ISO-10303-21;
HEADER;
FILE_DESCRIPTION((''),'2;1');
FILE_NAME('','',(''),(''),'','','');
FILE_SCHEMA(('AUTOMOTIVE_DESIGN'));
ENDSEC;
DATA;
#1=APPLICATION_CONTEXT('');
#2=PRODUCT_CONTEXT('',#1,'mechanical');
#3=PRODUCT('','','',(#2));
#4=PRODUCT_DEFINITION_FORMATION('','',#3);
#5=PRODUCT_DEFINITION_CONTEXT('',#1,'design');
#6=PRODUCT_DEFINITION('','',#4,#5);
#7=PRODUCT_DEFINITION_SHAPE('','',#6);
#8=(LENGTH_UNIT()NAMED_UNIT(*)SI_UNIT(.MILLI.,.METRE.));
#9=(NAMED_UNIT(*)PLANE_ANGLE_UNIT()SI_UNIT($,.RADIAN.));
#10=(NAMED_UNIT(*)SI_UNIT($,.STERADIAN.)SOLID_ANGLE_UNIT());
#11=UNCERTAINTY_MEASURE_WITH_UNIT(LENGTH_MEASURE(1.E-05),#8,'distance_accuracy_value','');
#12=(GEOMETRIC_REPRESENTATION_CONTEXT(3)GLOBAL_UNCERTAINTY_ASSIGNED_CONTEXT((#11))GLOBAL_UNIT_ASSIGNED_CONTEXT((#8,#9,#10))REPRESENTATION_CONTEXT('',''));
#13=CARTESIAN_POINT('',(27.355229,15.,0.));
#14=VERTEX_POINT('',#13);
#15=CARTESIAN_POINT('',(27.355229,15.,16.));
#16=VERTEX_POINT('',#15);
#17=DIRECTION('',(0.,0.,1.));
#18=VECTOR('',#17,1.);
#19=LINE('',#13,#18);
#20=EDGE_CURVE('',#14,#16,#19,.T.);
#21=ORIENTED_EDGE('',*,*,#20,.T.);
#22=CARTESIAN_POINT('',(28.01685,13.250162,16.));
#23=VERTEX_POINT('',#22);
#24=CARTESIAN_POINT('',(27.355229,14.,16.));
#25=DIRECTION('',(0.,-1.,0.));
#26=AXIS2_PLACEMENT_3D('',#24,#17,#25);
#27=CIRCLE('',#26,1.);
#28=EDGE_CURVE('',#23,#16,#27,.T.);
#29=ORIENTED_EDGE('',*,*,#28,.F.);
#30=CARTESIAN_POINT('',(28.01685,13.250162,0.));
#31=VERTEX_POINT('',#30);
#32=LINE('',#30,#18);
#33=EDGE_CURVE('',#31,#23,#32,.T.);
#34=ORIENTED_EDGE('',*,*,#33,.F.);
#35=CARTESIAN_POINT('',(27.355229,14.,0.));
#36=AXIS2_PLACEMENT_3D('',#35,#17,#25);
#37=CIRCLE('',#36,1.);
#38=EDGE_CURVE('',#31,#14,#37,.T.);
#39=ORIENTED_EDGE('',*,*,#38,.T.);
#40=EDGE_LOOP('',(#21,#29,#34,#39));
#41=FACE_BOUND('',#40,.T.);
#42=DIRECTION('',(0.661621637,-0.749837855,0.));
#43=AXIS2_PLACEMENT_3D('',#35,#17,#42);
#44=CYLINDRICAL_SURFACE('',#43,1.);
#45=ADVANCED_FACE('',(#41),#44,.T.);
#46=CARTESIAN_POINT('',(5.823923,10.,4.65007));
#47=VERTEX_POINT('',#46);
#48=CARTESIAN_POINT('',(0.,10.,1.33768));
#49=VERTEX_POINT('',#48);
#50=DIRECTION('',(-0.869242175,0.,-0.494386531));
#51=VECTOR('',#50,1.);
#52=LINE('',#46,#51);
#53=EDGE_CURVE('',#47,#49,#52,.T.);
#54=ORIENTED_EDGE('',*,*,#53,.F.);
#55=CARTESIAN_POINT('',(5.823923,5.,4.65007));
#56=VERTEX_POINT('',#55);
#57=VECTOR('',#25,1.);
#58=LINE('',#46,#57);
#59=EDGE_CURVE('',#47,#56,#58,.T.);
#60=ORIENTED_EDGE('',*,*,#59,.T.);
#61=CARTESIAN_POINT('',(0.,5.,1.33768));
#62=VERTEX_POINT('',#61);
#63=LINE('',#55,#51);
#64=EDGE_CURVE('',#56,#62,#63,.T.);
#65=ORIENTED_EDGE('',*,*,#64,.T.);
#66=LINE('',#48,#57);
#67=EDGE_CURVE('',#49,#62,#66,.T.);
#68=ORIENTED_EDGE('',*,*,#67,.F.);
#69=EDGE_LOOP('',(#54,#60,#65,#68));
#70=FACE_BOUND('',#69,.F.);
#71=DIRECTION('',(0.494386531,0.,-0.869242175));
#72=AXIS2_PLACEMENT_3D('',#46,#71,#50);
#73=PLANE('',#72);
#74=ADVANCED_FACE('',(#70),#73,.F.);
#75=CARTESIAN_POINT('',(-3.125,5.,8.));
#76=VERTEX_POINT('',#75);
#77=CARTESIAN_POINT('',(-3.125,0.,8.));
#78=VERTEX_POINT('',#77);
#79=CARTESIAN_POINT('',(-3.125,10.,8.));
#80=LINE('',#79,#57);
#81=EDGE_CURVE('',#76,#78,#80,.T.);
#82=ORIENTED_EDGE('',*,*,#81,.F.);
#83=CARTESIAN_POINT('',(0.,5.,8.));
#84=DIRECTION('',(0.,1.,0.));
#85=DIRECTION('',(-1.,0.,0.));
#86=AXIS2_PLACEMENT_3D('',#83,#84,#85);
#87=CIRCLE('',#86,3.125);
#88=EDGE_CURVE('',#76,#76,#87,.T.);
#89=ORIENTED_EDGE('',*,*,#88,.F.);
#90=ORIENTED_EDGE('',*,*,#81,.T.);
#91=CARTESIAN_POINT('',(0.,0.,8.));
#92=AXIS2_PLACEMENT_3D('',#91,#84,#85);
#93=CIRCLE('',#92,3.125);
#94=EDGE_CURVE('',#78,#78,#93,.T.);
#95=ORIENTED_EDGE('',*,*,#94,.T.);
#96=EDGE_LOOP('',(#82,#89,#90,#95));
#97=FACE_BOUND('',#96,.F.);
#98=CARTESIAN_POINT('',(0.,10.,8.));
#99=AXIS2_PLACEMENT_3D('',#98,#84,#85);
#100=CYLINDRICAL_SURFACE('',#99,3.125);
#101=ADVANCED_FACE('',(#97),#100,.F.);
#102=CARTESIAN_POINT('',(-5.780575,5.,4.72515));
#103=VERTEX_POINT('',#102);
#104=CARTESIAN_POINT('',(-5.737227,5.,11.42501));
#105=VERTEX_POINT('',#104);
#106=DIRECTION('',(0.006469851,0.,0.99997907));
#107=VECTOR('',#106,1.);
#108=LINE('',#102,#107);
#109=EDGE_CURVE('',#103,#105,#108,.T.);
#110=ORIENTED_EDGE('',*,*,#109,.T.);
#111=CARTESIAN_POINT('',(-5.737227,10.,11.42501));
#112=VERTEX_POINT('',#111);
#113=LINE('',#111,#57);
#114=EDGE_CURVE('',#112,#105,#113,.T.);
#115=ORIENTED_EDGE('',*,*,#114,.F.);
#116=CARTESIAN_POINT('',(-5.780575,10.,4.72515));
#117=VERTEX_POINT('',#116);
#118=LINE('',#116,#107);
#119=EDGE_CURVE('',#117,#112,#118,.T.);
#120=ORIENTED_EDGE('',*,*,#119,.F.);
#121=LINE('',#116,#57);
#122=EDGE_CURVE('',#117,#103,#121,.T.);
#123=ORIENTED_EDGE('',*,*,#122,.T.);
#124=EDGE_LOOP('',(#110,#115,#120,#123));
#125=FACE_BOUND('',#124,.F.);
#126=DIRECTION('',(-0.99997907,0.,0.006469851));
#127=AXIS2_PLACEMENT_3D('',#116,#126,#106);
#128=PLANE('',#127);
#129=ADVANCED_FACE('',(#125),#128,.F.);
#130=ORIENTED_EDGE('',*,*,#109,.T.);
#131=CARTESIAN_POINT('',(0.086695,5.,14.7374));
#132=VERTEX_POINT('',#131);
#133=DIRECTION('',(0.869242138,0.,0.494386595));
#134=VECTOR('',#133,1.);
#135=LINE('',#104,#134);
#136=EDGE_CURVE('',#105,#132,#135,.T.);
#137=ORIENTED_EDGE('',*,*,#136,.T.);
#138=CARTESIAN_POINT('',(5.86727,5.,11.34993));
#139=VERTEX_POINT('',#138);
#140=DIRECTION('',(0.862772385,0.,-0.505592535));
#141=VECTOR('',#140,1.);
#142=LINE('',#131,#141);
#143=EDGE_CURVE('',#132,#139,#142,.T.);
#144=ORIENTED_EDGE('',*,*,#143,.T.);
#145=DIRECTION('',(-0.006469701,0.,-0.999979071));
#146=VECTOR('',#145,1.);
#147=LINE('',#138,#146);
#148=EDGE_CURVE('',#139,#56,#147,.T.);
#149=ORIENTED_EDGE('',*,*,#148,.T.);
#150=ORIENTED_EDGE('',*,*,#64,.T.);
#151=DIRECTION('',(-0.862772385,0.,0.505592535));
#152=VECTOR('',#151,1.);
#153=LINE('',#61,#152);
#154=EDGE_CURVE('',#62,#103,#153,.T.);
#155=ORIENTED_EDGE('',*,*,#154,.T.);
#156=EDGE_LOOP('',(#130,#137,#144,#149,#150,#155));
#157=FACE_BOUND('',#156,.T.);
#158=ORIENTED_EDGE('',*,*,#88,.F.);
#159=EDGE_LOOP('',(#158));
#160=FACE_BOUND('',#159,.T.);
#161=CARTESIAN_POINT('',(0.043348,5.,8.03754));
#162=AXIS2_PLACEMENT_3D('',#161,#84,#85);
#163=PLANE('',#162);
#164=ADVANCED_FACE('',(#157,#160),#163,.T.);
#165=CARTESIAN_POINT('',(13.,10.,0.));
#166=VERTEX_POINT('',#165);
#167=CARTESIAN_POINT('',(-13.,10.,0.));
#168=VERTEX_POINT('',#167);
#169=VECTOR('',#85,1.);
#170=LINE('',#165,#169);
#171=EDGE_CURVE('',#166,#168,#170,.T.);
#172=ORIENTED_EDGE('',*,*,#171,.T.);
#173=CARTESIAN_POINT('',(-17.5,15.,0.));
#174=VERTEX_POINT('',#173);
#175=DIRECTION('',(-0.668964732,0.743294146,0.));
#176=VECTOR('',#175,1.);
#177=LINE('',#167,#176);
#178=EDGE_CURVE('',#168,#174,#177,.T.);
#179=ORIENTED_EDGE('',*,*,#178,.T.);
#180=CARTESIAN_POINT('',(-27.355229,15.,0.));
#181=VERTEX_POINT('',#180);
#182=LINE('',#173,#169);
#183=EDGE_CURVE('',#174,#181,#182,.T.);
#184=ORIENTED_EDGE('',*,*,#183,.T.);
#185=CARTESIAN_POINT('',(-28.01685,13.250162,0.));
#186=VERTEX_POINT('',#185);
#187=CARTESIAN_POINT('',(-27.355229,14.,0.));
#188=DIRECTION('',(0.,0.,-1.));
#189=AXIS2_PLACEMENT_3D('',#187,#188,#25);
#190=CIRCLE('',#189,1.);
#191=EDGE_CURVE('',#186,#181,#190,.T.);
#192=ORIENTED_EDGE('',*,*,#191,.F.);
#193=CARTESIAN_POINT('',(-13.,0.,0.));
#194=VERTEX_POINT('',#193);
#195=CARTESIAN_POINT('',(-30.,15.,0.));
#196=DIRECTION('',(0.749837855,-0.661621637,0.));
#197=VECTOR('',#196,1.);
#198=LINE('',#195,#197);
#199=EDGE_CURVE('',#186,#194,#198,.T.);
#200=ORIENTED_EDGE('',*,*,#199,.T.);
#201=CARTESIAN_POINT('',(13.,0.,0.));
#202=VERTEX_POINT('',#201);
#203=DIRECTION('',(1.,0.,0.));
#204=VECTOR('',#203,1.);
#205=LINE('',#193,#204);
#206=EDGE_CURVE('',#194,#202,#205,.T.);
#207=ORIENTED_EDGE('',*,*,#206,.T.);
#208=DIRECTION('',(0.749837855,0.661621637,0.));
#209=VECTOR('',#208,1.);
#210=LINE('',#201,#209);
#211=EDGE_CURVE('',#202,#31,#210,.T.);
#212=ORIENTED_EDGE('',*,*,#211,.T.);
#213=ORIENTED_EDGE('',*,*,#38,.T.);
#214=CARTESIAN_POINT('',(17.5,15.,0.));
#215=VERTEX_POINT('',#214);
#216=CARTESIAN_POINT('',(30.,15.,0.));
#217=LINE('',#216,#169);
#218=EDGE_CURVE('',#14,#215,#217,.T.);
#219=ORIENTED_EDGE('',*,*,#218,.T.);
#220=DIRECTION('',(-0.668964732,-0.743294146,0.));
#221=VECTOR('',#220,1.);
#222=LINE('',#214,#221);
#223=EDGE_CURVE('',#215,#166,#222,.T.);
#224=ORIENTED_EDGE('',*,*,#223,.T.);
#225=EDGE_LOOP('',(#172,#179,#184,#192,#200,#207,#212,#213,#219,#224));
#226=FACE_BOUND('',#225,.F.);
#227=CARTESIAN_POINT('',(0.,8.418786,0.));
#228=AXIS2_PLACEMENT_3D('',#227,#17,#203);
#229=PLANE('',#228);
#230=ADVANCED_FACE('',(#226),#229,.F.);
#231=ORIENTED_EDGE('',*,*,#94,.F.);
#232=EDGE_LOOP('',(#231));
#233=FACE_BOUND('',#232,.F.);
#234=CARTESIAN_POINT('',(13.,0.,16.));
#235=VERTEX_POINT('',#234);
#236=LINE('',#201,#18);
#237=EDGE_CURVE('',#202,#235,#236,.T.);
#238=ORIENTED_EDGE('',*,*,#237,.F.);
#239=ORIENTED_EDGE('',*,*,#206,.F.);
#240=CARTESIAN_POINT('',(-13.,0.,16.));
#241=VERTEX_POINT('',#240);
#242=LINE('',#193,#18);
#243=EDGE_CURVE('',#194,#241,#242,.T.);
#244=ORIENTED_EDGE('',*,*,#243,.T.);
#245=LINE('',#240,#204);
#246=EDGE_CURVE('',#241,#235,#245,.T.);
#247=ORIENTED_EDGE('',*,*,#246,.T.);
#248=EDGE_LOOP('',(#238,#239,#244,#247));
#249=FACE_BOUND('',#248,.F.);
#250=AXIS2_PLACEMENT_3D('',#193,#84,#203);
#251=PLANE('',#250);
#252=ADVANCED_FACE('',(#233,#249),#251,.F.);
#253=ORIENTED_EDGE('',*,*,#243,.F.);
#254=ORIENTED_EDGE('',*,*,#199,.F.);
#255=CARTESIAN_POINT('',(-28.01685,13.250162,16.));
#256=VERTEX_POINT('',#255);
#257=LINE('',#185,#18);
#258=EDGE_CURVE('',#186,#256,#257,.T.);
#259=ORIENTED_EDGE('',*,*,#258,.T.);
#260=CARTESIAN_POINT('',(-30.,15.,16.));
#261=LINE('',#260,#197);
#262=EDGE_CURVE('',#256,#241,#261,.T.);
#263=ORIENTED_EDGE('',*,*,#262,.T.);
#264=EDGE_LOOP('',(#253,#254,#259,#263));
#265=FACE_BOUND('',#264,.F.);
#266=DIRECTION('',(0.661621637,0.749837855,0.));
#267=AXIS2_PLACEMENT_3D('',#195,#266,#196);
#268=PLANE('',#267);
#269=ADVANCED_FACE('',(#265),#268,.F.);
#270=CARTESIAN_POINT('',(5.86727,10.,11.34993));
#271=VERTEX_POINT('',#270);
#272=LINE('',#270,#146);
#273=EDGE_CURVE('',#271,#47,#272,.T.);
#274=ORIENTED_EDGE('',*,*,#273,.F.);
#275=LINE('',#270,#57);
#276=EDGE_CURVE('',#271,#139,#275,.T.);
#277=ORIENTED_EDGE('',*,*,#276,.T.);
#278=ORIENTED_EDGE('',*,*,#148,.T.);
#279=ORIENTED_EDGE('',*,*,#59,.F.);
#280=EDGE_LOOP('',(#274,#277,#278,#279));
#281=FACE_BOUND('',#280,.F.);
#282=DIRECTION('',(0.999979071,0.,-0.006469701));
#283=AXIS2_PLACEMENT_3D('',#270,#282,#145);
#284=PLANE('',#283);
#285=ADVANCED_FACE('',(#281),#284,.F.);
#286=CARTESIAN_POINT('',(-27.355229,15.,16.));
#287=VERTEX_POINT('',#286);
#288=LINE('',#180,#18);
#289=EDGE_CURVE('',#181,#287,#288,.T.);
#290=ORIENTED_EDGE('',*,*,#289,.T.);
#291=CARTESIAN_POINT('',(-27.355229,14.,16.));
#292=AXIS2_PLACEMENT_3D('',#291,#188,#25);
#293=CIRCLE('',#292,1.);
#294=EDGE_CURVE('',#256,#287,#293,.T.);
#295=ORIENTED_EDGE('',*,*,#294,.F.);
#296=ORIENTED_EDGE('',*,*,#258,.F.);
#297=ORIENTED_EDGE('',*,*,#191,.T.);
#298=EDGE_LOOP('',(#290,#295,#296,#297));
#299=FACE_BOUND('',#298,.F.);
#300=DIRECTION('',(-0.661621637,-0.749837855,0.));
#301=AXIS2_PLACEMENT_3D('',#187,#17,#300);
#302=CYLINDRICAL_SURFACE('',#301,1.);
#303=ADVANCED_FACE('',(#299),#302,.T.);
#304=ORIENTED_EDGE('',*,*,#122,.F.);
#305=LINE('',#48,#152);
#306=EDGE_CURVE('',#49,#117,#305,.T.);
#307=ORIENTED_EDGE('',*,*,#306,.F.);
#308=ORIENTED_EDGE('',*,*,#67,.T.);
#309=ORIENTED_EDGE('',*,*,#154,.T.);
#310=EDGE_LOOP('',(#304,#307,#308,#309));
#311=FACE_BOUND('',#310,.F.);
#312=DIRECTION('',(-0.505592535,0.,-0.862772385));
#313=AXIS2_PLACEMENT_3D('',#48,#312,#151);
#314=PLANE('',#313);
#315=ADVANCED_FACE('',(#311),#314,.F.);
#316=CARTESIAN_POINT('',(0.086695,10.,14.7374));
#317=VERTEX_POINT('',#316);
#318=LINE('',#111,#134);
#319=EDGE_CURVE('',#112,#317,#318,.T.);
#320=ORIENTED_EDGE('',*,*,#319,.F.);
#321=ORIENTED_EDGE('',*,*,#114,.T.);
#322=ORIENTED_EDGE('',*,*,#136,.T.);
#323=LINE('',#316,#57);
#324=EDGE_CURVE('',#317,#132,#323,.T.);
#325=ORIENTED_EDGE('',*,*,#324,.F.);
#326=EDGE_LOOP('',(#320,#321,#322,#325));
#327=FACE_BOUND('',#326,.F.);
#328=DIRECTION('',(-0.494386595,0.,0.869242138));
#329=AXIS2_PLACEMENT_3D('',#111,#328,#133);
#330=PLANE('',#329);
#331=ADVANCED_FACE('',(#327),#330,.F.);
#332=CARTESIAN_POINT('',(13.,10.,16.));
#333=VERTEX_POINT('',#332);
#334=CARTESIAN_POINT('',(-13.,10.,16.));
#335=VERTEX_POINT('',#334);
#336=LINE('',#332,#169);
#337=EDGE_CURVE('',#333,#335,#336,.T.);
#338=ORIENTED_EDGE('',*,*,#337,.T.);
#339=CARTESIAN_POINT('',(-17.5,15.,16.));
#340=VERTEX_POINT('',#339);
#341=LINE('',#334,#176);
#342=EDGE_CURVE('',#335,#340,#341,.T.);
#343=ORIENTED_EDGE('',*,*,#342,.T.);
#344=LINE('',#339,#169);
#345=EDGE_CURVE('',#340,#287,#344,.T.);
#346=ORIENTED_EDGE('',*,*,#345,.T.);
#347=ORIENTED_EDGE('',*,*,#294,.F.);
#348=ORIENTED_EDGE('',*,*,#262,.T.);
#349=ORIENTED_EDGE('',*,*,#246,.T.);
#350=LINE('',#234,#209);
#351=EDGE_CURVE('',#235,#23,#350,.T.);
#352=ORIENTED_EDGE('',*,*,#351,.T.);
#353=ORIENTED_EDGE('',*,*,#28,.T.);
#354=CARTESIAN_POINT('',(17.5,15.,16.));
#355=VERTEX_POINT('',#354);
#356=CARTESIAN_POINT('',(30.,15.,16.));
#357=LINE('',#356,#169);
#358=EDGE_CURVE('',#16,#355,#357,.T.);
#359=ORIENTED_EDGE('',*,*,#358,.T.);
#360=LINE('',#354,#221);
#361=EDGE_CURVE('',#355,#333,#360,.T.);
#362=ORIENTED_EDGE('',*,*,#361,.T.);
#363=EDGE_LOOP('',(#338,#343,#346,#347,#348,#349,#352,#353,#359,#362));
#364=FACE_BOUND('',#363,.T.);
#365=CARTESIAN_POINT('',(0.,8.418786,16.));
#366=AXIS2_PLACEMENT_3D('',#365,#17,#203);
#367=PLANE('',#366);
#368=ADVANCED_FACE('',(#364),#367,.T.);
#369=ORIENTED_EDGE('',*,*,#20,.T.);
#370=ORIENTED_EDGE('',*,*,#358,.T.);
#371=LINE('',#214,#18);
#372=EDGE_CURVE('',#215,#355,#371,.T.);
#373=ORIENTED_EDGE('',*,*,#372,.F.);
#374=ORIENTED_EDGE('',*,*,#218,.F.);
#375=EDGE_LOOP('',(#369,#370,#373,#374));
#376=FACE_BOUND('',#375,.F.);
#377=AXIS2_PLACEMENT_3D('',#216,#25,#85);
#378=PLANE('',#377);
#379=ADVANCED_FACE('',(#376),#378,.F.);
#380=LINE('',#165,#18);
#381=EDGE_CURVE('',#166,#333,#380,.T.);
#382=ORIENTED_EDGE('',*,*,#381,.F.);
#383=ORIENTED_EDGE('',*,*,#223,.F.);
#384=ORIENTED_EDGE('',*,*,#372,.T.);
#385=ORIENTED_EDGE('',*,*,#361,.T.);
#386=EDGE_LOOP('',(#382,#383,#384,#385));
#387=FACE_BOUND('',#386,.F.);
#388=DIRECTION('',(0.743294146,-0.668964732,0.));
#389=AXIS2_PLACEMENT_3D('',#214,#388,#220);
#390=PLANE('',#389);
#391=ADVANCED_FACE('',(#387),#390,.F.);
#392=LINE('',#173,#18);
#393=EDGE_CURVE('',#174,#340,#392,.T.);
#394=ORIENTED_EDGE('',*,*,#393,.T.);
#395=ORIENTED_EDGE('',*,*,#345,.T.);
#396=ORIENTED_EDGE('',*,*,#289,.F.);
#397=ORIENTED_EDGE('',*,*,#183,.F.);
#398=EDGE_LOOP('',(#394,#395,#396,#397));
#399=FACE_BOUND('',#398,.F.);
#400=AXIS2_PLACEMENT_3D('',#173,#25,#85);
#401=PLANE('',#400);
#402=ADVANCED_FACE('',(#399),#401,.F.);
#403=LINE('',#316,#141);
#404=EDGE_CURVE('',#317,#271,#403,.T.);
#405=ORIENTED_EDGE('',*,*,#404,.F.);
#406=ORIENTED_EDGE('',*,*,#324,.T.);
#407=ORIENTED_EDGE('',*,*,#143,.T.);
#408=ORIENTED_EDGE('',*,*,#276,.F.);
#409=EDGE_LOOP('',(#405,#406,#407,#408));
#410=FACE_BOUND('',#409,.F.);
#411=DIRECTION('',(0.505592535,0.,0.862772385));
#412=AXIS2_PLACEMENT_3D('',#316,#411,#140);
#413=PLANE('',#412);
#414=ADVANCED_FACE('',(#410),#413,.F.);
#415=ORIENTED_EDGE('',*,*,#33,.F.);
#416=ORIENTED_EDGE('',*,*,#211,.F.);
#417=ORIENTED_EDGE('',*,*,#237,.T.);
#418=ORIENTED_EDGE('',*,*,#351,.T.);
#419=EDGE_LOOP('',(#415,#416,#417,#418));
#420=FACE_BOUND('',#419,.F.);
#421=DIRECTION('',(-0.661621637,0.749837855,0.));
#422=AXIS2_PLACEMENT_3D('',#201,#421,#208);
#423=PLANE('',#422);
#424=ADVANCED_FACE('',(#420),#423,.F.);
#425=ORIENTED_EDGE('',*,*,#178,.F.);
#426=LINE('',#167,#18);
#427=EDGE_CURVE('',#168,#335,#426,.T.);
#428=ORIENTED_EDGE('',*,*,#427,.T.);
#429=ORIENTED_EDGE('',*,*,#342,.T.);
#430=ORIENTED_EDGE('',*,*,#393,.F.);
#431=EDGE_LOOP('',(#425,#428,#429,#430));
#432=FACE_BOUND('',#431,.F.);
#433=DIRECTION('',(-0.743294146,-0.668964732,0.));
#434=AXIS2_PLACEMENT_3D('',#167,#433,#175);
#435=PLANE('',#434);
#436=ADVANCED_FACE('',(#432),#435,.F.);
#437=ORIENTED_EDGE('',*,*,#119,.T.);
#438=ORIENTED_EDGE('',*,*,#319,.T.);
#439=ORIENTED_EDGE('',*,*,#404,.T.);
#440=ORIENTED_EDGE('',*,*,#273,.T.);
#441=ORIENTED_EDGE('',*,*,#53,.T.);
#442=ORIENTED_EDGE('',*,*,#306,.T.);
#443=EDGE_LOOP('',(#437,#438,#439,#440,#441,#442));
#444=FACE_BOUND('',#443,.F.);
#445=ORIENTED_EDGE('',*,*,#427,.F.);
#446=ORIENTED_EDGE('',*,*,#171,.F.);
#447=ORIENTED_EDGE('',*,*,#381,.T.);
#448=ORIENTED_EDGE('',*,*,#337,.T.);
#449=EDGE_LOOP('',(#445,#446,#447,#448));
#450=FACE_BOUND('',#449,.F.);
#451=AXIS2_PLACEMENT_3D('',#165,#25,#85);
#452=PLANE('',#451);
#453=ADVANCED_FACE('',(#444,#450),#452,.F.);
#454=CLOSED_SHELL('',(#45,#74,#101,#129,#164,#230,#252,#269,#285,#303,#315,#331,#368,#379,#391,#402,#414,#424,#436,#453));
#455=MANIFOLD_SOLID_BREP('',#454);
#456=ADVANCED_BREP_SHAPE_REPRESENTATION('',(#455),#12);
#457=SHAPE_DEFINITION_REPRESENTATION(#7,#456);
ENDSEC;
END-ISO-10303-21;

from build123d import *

# Parameters (mm, degrees)
F1_DEPTH = 16
F2_R     = 3.125
F3_DEPTH = 10
F4_DEPTH = 5
F5_R     = 1
F6_R     = 1


with BuildPart() as f1:
    # F0 (on Top) → F1 (new body)
    with BuildSketch(Plane.XY):
        Polygon((-17.5, 15), (-30, 15), (-13, 0), (0, 0), (13, 0), (30, 15), (17.5, 15), (13, 10), (0, 10), (-13, 10), align=None)
    extrude(amount=F1_DEPTH)

    # F2 (on face) → F3 (cut, through all)
    with BuildSketch(Plane(origin=(0, 10, 0), x_dir=(-1, 0, 0), z_dir=(0, 1, 0))):
        with Locations((0, 8)):
            Circle(F2_R)
    extrude(amount=-F3_DEPTH, mode=Mode.SUBTRACT)

    # F2 (on face) → F4 (cut)
    with BuildSketch(Plane(origin=(0, 10, 0), x_dir=(-1, 0, 0), z_dir=(0, 1, 0))):
        Polygon((-5.86727, 11.34993), (-5.823923, 4.65007), (0, 1.33768), (5.780575, 4.72515), (5.737227, 11.42501), (-0.086695, 14.7374), align=None)
        with Locations((0, 8)):
            Circle(F2_R, mode=Mode.SUBTRACT)
    extrude(amount=-F4_DEPTH, mode=Mode.SUBTRACT)

    # F5
    f5_edges = [f1.edges().sort_by_distance(p)[0] for p in [
        (30, 15, 8),
    ]]
    fillet(f5_edges, radius=F5_R)

    # F6
    f6_edges = [f1.edges().sort_by_distance(p)[0] for p in [
        (-30, 15, 8),
    ]]
    fillet(f6_edges, radius=F6_R)


solid = f1.part
